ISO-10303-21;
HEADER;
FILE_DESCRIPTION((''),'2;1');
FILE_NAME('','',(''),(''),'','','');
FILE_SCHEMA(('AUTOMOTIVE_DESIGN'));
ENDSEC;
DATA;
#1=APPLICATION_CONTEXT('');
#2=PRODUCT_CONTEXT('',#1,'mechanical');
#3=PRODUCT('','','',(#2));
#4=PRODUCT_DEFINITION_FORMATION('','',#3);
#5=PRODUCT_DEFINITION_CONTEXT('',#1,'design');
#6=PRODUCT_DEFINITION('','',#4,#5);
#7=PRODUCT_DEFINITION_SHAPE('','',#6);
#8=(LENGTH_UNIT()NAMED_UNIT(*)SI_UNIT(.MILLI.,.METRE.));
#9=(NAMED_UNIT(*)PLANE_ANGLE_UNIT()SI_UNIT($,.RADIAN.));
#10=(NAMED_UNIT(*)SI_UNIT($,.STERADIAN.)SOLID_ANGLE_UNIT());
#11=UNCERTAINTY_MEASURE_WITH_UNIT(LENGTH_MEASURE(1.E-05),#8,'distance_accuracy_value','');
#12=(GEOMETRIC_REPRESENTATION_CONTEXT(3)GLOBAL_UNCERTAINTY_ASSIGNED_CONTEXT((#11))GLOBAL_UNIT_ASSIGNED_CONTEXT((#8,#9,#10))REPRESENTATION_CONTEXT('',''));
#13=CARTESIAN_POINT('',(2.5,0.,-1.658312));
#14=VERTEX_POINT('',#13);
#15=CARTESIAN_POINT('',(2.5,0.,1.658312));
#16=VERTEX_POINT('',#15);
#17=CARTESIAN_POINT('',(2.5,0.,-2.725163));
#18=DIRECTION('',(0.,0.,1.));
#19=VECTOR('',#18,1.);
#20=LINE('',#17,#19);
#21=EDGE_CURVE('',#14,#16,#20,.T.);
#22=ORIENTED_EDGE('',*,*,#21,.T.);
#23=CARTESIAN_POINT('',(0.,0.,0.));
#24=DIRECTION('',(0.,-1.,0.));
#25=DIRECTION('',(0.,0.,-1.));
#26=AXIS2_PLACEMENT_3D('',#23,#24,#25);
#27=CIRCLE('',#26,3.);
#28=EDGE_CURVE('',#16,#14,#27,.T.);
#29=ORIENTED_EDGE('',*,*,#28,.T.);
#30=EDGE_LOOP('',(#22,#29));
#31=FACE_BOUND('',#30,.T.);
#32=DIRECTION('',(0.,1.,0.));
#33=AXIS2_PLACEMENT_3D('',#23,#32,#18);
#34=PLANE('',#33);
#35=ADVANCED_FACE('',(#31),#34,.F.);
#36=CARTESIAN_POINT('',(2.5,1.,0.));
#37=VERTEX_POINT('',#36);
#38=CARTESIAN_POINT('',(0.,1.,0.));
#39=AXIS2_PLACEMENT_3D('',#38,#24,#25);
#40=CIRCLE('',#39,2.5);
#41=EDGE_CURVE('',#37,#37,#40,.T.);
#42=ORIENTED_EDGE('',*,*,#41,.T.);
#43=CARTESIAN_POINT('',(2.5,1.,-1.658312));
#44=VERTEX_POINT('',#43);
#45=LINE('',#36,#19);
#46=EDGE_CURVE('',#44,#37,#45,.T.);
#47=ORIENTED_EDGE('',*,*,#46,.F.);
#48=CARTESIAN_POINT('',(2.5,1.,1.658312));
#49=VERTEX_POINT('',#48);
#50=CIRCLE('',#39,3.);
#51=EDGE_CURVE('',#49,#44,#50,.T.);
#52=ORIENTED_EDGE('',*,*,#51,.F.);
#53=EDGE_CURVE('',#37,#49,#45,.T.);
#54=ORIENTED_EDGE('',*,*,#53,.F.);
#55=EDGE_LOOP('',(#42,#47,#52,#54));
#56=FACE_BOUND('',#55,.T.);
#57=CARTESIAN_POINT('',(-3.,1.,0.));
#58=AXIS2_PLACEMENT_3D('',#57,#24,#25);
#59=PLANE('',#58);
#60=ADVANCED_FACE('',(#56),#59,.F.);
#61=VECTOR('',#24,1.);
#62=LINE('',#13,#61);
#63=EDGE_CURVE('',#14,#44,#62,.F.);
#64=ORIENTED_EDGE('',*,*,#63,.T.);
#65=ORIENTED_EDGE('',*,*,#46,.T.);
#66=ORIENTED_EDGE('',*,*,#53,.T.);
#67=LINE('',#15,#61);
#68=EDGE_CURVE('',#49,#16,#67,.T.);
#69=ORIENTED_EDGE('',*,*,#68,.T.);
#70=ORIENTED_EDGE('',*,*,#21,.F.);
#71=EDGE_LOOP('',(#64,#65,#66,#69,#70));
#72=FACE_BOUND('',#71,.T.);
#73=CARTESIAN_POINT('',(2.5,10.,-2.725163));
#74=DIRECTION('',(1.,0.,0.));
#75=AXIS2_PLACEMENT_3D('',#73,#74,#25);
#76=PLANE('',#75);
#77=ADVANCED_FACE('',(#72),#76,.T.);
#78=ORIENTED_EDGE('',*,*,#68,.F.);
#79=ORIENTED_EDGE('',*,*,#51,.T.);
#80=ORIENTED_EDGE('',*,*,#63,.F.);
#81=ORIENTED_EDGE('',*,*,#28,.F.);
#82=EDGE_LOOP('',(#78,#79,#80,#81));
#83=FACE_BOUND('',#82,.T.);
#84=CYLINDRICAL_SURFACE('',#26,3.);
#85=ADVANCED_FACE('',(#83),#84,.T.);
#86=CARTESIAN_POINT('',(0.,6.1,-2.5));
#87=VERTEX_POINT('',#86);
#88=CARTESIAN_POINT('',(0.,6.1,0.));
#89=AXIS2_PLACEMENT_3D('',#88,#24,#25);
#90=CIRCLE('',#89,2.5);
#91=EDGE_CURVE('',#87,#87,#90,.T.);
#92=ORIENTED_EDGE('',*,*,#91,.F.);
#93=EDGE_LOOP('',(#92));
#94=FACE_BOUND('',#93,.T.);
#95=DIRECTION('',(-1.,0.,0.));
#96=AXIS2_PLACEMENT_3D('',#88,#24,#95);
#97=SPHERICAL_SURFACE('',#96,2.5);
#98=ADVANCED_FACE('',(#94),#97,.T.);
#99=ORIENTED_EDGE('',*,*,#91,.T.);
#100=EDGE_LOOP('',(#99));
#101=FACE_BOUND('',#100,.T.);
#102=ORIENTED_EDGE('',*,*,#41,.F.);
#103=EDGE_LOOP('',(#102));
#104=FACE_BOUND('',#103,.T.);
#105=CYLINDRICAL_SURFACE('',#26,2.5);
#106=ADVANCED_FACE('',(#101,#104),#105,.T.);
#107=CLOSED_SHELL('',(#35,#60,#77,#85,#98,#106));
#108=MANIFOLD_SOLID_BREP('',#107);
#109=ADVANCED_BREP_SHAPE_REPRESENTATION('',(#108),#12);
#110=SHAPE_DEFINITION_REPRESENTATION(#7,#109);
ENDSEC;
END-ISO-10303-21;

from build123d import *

# Parameters (mm, degrees)
SKICA2_W                 = 0.905409292
SKICA2_H                 = 5.783897519
ODEBRAT_VYSUNUT_M2_DEPTH = 10


with BuildPart() as part:
    # Skica1 → Rotovat1 (revolve)
    with BuildSketch(Plane.XY):
        with BuildLine():
            Line((0, 0), (-3, 0))
            Line((-3, 0), (-3, 1))
            Line((-3, 1), (-2.5, 1))
            Line((-2.5, 1), (-2.5, 6.1))
            ThreePointArc((-2.5, 6.1), (-1.767766953, 7.867766953), (0, 8.6))
            Line((0, 8.6), (0, 0))
        make_face()
    revolve(axis=Axis((0, 0, 0), (0, 1, 0)))

    # Skica2 → Odebrat vysunutím2 (cut)
    with BuildSketch(Plane(origin=(0, 0, 0), x_dir=(1, 0, 0), z_dir=(0, 1, 0))):
        with Locations((2.952704646, -0.166785923)):
            Rectangle(SKICA2_W, SKICA2_H)
    extrude(amount=ODEBRAT_VYSUNUT_M2_DEPTH, mode=Mode.SUBTRACT)


solid = part.part
